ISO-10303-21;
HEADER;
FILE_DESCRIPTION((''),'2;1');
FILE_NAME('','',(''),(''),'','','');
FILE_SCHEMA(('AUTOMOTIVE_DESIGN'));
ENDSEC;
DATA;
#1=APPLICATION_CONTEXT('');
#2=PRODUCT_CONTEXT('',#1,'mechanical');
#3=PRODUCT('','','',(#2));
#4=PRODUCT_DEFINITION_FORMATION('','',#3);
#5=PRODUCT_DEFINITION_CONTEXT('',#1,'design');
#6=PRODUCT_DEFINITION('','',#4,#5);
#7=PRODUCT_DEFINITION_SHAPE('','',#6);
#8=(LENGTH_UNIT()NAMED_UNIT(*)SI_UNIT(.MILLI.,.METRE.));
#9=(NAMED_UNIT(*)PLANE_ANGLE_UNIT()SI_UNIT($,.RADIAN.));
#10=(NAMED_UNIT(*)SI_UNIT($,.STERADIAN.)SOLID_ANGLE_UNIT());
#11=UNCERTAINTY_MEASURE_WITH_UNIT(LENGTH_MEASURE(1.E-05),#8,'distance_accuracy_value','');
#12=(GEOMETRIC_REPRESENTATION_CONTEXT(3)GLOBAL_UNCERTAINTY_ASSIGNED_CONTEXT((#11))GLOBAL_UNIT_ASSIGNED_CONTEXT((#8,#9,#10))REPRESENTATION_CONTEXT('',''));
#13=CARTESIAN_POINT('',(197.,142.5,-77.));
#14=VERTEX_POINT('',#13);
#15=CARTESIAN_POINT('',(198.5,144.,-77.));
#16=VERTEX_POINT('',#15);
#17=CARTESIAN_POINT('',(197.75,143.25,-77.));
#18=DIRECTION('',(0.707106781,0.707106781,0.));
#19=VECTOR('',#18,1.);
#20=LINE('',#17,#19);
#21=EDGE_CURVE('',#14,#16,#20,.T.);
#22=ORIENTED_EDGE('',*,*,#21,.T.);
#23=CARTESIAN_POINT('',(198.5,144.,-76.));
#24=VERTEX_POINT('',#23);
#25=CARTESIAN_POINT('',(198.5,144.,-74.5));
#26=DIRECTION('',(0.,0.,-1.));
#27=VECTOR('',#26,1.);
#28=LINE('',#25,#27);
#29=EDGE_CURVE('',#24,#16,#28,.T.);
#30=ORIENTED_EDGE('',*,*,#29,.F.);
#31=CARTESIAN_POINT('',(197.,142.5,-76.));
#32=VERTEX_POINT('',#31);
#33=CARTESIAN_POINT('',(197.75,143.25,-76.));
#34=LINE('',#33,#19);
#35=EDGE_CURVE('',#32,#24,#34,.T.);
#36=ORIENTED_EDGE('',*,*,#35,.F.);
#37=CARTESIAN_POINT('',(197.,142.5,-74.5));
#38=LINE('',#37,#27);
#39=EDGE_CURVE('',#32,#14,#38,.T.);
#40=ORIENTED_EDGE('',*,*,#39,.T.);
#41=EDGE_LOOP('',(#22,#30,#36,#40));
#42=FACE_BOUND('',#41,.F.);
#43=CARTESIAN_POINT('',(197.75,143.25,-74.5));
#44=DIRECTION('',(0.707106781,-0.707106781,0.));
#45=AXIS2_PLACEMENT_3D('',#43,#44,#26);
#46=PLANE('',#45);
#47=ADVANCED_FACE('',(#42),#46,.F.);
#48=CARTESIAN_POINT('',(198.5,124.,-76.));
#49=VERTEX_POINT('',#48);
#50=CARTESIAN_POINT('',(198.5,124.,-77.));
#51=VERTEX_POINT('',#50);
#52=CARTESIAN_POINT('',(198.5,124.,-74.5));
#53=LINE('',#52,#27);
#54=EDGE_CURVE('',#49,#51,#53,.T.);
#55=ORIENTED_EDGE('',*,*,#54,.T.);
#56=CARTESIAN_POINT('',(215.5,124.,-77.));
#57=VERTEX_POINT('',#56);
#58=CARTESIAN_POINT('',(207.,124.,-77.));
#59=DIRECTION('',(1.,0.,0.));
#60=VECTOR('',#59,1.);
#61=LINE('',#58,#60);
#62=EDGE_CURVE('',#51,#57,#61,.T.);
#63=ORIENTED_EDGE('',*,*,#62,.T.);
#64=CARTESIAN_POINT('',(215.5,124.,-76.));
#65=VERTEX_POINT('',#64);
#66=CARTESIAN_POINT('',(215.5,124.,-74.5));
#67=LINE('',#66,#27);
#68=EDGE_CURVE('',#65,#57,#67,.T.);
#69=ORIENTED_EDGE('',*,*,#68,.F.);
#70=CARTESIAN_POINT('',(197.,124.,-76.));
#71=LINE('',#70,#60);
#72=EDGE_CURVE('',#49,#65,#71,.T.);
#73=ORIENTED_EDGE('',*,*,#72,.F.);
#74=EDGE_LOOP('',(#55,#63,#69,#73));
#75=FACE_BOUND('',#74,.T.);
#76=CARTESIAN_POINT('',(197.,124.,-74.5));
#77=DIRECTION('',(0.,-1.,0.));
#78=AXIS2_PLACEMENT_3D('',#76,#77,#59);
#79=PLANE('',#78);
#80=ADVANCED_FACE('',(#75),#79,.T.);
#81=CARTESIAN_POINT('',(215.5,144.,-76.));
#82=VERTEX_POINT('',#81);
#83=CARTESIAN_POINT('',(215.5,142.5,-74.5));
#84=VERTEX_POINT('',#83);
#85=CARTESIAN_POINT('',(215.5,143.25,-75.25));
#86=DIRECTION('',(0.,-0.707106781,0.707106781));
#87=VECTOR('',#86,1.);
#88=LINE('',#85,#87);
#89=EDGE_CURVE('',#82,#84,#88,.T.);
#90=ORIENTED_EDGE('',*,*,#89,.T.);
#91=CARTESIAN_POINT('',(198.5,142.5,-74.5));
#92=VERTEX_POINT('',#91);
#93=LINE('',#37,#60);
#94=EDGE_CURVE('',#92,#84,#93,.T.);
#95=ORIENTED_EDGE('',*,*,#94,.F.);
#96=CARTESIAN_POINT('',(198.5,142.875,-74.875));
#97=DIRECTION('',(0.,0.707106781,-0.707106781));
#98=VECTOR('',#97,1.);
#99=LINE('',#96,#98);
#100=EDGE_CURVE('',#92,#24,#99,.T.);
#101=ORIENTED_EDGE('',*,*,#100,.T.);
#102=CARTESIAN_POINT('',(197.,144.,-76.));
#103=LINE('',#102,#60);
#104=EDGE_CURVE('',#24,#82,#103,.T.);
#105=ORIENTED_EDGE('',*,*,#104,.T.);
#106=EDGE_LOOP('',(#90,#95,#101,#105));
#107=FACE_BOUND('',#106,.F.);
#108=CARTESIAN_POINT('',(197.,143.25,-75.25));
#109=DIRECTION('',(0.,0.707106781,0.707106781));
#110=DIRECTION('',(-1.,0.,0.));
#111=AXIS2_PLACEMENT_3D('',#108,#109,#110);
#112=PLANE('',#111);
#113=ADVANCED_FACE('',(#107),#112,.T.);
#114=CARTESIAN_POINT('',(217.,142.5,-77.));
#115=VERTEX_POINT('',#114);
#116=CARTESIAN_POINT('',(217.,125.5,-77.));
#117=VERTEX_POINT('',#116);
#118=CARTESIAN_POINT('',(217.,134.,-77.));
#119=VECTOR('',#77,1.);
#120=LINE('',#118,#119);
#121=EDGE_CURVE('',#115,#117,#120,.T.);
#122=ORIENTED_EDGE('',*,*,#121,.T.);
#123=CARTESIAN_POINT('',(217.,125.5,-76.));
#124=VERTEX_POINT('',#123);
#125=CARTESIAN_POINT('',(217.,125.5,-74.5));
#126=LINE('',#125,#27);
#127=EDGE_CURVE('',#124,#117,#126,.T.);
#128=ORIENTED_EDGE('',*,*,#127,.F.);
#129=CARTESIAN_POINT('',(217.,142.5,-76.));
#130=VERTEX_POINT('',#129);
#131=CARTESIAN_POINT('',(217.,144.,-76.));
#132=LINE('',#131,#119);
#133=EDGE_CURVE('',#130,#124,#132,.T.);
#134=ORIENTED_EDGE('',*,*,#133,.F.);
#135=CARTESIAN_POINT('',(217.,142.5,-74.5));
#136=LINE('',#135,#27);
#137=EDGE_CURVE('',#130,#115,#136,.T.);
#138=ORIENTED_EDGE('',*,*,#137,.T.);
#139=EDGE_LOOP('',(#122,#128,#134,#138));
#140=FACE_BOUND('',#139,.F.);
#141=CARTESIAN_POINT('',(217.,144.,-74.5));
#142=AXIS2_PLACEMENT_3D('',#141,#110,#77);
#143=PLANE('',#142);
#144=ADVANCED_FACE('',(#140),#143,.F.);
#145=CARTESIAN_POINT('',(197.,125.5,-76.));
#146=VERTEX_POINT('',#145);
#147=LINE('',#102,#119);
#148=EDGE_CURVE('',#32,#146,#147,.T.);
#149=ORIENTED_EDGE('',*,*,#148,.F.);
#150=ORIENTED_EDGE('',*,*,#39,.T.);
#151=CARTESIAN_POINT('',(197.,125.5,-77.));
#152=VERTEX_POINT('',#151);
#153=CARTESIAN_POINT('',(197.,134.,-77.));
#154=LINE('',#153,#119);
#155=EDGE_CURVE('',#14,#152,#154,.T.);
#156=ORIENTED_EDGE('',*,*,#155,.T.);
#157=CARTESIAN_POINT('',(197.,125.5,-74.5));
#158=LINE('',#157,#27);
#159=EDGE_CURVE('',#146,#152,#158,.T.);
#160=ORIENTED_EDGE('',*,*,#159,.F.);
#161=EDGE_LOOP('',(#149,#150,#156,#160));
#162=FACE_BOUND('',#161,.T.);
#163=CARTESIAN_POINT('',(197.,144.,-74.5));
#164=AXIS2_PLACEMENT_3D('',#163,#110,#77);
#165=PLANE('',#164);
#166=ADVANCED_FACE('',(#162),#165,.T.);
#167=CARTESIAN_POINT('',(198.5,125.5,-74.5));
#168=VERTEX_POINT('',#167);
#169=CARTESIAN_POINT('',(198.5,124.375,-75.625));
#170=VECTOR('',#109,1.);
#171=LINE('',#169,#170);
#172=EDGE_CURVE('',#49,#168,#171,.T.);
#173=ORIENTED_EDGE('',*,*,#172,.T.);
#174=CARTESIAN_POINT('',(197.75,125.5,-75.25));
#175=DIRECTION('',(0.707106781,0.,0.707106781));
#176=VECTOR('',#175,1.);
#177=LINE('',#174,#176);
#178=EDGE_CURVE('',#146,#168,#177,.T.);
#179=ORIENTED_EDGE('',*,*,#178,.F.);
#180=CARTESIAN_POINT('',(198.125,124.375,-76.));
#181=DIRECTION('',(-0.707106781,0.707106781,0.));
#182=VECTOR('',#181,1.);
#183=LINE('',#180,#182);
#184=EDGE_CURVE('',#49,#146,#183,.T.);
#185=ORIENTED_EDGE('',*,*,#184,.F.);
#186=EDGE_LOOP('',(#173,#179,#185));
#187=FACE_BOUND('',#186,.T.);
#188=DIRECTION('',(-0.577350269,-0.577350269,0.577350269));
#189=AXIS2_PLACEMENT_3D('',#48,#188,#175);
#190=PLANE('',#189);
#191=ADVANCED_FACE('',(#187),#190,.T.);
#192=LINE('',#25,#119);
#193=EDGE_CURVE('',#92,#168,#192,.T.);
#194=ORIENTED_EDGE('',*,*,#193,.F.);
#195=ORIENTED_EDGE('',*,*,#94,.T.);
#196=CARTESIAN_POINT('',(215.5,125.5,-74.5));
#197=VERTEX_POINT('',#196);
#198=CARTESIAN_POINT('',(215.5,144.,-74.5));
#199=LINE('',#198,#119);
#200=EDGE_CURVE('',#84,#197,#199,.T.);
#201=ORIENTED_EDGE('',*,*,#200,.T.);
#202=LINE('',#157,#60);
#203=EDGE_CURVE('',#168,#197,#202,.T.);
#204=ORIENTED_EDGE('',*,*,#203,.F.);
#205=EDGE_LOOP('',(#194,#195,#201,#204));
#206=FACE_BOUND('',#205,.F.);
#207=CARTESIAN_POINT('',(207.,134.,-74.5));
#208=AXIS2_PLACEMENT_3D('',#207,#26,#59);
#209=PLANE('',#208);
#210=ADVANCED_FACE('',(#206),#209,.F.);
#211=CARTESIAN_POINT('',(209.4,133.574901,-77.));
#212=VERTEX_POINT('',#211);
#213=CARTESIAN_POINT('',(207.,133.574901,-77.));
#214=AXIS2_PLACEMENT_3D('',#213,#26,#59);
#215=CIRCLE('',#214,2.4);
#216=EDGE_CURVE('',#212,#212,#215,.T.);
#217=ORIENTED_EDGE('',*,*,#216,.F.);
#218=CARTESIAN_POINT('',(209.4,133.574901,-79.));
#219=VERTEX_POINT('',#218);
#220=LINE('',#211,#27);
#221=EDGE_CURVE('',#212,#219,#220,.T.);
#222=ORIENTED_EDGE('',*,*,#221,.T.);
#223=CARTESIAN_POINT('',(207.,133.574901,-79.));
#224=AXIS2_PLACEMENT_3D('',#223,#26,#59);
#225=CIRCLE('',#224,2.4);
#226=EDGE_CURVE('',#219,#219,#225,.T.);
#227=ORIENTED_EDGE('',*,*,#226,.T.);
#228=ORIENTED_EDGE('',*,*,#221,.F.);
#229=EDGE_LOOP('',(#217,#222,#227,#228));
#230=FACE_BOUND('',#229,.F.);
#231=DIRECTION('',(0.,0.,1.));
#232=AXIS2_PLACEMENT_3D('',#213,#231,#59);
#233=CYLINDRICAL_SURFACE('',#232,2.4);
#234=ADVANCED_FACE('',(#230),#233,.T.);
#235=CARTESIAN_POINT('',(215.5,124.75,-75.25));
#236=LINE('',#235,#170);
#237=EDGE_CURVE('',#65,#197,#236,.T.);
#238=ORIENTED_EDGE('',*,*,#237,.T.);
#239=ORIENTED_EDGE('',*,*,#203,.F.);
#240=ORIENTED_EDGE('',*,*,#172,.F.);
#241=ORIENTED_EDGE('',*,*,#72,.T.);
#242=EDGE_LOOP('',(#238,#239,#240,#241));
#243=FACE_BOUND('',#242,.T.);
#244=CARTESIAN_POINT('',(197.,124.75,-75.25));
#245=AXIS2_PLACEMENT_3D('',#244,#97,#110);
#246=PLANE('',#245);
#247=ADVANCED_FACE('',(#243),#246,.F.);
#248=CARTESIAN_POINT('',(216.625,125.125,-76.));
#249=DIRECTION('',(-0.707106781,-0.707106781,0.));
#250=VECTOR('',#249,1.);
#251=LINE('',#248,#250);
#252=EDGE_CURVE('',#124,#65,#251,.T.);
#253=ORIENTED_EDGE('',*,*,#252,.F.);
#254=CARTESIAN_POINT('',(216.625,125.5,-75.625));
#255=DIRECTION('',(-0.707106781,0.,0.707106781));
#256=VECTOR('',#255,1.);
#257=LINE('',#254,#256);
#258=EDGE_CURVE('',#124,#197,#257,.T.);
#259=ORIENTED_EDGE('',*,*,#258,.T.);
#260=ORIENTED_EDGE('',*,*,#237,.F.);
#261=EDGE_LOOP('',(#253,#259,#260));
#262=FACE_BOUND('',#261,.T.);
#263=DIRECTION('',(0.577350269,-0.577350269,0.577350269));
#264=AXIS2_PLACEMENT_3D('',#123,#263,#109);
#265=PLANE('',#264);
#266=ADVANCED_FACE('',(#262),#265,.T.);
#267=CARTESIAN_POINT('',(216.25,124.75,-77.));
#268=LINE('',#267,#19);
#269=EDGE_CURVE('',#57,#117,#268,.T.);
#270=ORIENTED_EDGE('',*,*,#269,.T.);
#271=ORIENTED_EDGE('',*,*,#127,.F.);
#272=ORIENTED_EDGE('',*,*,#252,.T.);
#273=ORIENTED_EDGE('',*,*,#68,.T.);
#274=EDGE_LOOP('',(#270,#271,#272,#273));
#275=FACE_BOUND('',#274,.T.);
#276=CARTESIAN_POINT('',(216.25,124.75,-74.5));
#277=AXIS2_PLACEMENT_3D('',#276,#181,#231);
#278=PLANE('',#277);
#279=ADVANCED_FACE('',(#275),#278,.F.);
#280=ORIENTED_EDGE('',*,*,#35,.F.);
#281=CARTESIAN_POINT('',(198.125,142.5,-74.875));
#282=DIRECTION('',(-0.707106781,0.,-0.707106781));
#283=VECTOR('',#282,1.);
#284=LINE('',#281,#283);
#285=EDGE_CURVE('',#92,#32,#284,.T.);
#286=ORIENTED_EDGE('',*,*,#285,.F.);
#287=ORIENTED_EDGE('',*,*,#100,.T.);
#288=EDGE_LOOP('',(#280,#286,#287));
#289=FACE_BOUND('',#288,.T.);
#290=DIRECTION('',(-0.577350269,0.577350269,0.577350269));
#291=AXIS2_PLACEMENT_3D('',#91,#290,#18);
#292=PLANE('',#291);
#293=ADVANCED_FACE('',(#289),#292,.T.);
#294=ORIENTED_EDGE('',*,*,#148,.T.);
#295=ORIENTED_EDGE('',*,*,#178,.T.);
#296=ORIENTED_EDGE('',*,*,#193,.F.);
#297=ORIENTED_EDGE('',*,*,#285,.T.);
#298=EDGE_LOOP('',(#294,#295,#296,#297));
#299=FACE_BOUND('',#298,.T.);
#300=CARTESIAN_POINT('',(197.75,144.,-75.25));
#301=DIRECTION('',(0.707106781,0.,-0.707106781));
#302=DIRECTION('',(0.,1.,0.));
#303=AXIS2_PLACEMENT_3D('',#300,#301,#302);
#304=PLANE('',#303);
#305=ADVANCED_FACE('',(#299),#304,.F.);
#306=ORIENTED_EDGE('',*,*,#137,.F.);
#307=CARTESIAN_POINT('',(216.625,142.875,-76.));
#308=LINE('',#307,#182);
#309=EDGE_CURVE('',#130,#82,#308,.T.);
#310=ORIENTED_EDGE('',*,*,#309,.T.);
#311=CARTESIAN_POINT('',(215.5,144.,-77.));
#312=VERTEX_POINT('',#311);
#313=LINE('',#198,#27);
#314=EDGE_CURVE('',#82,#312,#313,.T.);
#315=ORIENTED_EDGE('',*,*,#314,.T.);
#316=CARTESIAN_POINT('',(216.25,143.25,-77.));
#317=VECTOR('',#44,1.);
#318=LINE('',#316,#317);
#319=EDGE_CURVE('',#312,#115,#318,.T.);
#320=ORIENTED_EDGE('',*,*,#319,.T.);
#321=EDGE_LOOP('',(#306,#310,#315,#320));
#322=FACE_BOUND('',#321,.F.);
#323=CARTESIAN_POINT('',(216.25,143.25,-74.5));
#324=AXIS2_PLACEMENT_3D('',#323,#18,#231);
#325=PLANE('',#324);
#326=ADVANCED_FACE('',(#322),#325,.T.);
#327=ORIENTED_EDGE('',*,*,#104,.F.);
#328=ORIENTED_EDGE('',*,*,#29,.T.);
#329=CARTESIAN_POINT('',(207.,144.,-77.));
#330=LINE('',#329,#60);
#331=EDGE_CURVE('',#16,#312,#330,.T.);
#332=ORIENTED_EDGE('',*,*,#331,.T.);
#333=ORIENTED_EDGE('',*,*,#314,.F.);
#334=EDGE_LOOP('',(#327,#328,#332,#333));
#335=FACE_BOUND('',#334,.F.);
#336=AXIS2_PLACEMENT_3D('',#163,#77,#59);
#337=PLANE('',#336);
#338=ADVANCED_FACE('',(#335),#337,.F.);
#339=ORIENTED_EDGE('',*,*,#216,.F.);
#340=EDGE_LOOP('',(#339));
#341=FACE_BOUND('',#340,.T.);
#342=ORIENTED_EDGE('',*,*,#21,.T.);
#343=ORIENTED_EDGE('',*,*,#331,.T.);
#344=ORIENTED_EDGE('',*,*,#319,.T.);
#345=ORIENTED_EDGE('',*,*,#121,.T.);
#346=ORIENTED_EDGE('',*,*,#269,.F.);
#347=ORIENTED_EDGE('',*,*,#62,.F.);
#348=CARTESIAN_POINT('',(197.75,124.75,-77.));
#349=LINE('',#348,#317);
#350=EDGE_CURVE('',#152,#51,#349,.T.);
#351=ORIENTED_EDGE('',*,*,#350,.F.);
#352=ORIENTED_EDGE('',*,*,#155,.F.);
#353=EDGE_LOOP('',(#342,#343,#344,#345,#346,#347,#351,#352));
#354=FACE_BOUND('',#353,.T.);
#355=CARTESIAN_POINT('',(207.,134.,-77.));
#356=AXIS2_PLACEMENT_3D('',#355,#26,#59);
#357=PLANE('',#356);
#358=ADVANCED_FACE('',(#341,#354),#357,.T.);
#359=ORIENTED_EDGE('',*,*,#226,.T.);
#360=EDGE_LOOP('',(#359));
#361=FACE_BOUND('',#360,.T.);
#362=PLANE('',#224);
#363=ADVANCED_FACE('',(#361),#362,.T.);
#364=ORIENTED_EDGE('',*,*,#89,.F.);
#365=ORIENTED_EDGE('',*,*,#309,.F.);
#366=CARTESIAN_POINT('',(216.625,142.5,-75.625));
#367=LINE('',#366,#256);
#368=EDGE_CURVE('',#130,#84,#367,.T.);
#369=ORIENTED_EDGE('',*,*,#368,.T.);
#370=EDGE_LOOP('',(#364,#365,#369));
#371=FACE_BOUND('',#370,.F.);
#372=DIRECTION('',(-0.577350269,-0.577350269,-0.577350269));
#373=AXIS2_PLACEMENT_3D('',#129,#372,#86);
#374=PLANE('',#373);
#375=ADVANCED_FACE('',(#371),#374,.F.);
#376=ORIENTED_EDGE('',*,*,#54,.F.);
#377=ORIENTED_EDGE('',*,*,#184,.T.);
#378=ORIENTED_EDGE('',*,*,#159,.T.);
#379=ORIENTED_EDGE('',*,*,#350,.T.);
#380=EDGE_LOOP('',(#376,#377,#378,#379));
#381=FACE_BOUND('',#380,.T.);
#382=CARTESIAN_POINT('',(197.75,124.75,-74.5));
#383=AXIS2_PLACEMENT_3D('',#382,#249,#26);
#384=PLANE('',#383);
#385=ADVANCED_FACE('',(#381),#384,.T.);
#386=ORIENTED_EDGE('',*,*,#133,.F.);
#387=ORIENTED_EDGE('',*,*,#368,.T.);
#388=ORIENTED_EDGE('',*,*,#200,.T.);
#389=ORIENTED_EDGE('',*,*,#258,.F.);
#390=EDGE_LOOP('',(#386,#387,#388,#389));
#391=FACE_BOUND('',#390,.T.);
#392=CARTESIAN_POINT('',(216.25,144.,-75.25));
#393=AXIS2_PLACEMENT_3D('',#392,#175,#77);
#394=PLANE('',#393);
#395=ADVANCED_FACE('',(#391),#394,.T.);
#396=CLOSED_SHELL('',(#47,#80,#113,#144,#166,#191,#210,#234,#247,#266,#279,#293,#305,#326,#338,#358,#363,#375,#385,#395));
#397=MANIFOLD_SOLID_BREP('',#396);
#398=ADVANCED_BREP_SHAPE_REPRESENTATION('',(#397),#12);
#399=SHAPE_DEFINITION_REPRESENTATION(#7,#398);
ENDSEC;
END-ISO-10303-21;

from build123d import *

# Parameters (mm, degrees)
BOX057_W                = 20
BOX057_H                = 20
BOX057_DEPTH            = 2.5
SKETCH047_R             = 2.4
PAD014_DEPTH            = 2
CHAMFER_SIZE            = 1.5
CHAMFER_PLACEMENT_ANGLE = 180


with BuildPart() as cubo043:
    # Box057 → Box057 (new body)
    with BuildSketch(Plane.XY):
        with Locations((10, 10)):
            Rectangle(BOX057_W, BOX057_H)
    extrude(amount=BOX057_DEPTH)


with BuildPart() as pad014:
    # Pad014 base: copy of Cubo043
    add(cubo043.part)

    # Sketch047 → Pad014 (new body)
    with BuildSketch(Plane.XY.offset(2.5)):
        with Locations((10, 10.425099)):
            Circle(SKETCH047_R)
    extrude(amount=PAD014_DEPTH)


with BuildPart() as chamfer_body:
    # Fusion032 base: copy of Cubo043
    add(cubo043.part)

    # Fusion032: union Pad014
    add(pad014.part)

    # Chamfer
    chamfer_edges = [chamfer_body.edges().sort_by_distance(p)[0] for p in [
        (0, 0, 1.25),
        (0, 10, 0),
        (0, 20, 1.25),
        (10, 0, 0),
        (20, 0, 1.25),
        (10, 20, 0),
        (20, 20, 1.25),
        (20, 10, 0),
    ]]
    chamfer(chamfer_edges, length=CHAMFER_SIZE)


with BuildPart() as chamfer_body_1:
    # Chamfer placement: moved
    add(chamfer_body.part.moved(Location((197, 144, -74.5))).rotate(Axis((197, 144, -74.5), (1, 0, 0)), CHAMFER_PLACEMENT_ANGLE))


solid = chamfer_body_1.part
